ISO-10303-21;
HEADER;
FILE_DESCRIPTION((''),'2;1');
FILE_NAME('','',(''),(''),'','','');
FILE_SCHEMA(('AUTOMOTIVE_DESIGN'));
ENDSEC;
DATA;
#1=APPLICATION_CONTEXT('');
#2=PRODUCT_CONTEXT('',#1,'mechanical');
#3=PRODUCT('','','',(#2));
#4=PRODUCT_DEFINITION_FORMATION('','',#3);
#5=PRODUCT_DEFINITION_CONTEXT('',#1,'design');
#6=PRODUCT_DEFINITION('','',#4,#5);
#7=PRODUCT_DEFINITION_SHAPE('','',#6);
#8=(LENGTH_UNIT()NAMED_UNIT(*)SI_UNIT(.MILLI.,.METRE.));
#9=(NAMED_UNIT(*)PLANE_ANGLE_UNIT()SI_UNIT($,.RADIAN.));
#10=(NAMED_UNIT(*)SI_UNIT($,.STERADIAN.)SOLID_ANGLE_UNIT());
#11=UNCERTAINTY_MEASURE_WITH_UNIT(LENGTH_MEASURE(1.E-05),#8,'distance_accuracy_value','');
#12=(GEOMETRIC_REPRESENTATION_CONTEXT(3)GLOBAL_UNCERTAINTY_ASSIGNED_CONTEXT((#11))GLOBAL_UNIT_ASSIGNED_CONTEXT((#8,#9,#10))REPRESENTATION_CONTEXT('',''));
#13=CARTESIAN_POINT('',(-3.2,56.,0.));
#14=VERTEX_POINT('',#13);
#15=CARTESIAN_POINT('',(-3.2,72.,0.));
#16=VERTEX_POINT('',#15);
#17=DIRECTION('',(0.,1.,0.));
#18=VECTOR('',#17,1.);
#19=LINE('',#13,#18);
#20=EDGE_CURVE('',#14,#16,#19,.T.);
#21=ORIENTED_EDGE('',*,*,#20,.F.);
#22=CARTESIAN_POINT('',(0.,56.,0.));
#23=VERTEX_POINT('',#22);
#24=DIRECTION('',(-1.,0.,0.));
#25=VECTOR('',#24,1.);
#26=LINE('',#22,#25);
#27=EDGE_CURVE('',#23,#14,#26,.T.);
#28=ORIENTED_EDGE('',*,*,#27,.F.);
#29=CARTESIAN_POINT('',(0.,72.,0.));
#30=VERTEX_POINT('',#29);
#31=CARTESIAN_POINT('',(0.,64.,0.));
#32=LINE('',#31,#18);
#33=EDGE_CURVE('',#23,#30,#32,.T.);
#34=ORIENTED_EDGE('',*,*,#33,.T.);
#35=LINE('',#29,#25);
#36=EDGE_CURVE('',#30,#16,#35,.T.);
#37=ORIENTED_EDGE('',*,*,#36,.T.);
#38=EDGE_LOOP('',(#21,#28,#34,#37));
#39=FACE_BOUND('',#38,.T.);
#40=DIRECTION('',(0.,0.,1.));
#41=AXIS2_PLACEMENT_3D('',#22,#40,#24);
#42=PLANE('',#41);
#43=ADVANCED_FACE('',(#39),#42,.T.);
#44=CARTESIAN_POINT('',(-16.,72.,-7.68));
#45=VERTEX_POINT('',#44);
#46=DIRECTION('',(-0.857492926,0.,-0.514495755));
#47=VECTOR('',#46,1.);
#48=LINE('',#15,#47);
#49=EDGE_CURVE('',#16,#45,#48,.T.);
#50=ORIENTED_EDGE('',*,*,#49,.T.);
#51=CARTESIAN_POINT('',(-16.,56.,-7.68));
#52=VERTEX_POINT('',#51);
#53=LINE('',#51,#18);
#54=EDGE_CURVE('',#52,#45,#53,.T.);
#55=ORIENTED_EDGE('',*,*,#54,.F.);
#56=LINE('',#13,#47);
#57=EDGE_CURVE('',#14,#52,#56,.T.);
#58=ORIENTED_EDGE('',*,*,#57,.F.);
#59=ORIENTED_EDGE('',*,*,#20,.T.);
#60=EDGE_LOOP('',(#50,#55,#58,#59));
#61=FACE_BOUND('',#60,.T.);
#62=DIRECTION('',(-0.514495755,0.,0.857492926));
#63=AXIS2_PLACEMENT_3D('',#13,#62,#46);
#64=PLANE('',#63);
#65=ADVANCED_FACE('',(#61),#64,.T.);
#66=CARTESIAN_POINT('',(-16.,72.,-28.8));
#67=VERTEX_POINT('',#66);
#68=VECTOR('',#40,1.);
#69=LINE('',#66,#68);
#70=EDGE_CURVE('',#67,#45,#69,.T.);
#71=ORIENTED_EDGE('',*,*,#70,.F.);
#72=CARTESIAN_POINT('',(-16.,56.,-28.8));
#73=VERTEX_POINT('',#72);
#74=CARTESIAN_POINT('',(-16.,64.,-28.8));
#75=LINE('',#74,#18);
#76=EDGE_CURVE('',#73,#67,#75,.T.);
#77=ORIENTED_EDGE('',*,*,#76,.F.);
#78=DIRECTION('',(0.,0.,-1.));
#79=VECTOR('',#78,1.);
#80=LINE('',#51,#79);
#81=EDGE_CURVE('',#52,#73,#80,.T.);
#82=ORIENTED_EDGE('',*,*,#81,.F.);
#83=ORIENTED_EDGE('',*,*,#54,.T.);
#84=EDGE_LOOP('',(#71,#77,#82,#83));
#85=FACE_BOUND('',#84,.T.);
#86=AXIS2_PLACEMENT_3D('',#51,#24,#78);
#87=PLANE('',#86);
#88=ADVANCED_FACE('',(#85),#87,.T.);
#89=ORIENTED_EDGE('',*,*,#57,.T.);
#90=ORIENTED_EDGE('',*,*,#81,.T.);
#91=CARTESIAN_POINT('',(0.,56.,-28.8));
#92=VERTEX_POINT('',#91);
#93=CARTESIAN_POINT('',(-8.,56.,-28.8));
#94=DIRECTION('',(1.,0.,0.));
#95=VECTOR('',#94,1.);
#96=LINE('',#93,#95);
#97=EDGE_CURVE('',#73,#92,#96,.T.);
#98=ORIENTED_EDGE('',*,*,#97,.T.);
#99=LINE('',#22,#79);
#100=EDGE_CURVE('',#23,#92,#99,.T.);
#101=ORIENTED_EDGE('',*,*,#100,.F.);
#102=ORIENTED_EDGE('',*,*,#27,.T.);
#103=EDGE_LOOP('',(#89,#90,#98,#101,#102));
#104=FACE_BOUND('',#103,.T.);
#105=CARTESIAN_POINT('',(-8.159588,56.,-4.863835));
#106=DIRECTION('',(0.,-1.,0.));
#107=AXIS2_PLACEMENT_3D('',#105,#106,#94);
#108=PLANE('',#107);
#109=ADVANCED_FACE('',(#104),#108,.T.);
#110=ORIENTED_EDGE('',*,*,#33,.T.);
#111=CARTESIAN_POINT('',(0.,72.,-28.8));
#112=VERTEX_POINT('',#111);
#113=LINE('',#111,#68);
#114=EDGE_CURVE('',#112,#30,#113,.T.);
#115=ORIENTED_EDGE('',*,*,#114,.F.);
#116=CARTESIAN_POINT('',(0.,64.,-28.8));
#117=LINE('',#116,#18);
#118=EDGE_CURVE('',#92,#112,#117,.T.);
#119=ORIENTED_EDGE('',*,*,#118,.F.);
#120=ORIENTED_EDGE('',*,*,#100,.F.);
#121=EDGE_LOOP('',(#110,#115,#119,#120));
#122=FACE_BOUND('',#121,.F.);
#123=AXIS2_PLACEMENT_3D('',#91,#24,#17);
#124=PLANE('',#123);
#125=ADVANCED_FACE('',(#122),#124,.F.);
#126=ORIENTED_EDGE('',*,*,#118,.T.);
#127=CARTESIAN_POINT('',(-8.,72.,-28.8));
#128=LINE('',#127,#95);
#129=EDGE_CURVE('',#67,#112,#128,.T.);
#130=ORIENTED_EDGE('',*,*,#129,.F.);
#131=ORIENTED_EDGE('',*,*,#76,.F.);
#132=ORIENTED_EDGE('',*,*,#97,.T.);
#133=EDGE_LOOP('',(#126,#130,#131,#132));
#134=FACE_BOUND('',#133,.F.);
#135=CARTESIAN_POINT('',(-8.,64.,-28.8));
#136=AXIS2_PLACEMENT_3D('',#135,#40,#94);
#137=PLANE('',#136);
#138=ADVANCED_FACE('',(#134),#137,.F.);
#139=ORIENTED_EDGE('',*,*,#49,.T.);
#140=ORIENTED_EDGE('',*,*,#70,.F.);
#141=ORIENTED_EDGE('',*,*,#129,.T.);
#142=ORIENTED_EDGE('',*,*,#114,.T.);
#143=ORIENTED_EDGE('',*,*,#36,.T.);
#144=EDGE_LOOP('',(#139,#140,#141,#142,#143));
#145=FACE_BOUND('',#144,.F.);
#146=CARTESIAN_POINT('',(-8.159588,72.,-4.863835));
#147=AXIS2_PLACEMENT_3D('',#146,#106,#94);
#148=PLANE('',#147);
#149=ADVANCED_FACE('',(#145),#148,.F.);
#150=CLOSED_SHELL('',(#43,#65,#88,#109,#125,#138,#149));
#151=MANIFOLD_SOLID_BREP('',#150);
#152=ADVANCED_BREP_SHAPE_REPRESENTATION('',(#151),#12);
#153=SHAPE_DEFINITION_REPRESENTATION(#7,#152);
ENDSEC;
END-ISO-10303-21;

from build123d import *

# Parameters (mm, degrees)
SKETCH021_W     = 16
SKETCH021_H     = 16
PAD012_DEPTH    = 28.8
POCKET009_DEPTH = 16
PAD139_DEPTH    = 16


with BuildPart() as part:
    # Sketch021 (on Face60 of Binder008) → Pad012 (new body)
    with BuildSketch(Plane.XY.offset(-28.8)):
        with Locations((-8, 64)):
            Rectangle(SKETCH021_W, SKETCH021_H)
    extrude(amount=PAD012_DEPTH)

    # Sketch022 (on Face3 of Pad012) → Pocket009 (cut)
    with BuildSketch(Plane.XZ.offset(-56)):
        Polygon((-16, -9.6), (0, 0), (-16, 0), align=None)
    extrude(amount=-POCKET009_DEPTH, mode=Mode.SUBTRACT)

    # Sketch139 (on Face6 of Pocket009) → Pad139 (join)
    with BuildSketch(Plane.XZ.offset(-56)):
        Polygon((0, 0), (-3.2, 0), (-16, -7.68), (-16, -10.88), (-3.2, -3.2), (0, -3.2), align=None)
    extrude(amount=-PAD139_DEPTH)


solid = part.part
